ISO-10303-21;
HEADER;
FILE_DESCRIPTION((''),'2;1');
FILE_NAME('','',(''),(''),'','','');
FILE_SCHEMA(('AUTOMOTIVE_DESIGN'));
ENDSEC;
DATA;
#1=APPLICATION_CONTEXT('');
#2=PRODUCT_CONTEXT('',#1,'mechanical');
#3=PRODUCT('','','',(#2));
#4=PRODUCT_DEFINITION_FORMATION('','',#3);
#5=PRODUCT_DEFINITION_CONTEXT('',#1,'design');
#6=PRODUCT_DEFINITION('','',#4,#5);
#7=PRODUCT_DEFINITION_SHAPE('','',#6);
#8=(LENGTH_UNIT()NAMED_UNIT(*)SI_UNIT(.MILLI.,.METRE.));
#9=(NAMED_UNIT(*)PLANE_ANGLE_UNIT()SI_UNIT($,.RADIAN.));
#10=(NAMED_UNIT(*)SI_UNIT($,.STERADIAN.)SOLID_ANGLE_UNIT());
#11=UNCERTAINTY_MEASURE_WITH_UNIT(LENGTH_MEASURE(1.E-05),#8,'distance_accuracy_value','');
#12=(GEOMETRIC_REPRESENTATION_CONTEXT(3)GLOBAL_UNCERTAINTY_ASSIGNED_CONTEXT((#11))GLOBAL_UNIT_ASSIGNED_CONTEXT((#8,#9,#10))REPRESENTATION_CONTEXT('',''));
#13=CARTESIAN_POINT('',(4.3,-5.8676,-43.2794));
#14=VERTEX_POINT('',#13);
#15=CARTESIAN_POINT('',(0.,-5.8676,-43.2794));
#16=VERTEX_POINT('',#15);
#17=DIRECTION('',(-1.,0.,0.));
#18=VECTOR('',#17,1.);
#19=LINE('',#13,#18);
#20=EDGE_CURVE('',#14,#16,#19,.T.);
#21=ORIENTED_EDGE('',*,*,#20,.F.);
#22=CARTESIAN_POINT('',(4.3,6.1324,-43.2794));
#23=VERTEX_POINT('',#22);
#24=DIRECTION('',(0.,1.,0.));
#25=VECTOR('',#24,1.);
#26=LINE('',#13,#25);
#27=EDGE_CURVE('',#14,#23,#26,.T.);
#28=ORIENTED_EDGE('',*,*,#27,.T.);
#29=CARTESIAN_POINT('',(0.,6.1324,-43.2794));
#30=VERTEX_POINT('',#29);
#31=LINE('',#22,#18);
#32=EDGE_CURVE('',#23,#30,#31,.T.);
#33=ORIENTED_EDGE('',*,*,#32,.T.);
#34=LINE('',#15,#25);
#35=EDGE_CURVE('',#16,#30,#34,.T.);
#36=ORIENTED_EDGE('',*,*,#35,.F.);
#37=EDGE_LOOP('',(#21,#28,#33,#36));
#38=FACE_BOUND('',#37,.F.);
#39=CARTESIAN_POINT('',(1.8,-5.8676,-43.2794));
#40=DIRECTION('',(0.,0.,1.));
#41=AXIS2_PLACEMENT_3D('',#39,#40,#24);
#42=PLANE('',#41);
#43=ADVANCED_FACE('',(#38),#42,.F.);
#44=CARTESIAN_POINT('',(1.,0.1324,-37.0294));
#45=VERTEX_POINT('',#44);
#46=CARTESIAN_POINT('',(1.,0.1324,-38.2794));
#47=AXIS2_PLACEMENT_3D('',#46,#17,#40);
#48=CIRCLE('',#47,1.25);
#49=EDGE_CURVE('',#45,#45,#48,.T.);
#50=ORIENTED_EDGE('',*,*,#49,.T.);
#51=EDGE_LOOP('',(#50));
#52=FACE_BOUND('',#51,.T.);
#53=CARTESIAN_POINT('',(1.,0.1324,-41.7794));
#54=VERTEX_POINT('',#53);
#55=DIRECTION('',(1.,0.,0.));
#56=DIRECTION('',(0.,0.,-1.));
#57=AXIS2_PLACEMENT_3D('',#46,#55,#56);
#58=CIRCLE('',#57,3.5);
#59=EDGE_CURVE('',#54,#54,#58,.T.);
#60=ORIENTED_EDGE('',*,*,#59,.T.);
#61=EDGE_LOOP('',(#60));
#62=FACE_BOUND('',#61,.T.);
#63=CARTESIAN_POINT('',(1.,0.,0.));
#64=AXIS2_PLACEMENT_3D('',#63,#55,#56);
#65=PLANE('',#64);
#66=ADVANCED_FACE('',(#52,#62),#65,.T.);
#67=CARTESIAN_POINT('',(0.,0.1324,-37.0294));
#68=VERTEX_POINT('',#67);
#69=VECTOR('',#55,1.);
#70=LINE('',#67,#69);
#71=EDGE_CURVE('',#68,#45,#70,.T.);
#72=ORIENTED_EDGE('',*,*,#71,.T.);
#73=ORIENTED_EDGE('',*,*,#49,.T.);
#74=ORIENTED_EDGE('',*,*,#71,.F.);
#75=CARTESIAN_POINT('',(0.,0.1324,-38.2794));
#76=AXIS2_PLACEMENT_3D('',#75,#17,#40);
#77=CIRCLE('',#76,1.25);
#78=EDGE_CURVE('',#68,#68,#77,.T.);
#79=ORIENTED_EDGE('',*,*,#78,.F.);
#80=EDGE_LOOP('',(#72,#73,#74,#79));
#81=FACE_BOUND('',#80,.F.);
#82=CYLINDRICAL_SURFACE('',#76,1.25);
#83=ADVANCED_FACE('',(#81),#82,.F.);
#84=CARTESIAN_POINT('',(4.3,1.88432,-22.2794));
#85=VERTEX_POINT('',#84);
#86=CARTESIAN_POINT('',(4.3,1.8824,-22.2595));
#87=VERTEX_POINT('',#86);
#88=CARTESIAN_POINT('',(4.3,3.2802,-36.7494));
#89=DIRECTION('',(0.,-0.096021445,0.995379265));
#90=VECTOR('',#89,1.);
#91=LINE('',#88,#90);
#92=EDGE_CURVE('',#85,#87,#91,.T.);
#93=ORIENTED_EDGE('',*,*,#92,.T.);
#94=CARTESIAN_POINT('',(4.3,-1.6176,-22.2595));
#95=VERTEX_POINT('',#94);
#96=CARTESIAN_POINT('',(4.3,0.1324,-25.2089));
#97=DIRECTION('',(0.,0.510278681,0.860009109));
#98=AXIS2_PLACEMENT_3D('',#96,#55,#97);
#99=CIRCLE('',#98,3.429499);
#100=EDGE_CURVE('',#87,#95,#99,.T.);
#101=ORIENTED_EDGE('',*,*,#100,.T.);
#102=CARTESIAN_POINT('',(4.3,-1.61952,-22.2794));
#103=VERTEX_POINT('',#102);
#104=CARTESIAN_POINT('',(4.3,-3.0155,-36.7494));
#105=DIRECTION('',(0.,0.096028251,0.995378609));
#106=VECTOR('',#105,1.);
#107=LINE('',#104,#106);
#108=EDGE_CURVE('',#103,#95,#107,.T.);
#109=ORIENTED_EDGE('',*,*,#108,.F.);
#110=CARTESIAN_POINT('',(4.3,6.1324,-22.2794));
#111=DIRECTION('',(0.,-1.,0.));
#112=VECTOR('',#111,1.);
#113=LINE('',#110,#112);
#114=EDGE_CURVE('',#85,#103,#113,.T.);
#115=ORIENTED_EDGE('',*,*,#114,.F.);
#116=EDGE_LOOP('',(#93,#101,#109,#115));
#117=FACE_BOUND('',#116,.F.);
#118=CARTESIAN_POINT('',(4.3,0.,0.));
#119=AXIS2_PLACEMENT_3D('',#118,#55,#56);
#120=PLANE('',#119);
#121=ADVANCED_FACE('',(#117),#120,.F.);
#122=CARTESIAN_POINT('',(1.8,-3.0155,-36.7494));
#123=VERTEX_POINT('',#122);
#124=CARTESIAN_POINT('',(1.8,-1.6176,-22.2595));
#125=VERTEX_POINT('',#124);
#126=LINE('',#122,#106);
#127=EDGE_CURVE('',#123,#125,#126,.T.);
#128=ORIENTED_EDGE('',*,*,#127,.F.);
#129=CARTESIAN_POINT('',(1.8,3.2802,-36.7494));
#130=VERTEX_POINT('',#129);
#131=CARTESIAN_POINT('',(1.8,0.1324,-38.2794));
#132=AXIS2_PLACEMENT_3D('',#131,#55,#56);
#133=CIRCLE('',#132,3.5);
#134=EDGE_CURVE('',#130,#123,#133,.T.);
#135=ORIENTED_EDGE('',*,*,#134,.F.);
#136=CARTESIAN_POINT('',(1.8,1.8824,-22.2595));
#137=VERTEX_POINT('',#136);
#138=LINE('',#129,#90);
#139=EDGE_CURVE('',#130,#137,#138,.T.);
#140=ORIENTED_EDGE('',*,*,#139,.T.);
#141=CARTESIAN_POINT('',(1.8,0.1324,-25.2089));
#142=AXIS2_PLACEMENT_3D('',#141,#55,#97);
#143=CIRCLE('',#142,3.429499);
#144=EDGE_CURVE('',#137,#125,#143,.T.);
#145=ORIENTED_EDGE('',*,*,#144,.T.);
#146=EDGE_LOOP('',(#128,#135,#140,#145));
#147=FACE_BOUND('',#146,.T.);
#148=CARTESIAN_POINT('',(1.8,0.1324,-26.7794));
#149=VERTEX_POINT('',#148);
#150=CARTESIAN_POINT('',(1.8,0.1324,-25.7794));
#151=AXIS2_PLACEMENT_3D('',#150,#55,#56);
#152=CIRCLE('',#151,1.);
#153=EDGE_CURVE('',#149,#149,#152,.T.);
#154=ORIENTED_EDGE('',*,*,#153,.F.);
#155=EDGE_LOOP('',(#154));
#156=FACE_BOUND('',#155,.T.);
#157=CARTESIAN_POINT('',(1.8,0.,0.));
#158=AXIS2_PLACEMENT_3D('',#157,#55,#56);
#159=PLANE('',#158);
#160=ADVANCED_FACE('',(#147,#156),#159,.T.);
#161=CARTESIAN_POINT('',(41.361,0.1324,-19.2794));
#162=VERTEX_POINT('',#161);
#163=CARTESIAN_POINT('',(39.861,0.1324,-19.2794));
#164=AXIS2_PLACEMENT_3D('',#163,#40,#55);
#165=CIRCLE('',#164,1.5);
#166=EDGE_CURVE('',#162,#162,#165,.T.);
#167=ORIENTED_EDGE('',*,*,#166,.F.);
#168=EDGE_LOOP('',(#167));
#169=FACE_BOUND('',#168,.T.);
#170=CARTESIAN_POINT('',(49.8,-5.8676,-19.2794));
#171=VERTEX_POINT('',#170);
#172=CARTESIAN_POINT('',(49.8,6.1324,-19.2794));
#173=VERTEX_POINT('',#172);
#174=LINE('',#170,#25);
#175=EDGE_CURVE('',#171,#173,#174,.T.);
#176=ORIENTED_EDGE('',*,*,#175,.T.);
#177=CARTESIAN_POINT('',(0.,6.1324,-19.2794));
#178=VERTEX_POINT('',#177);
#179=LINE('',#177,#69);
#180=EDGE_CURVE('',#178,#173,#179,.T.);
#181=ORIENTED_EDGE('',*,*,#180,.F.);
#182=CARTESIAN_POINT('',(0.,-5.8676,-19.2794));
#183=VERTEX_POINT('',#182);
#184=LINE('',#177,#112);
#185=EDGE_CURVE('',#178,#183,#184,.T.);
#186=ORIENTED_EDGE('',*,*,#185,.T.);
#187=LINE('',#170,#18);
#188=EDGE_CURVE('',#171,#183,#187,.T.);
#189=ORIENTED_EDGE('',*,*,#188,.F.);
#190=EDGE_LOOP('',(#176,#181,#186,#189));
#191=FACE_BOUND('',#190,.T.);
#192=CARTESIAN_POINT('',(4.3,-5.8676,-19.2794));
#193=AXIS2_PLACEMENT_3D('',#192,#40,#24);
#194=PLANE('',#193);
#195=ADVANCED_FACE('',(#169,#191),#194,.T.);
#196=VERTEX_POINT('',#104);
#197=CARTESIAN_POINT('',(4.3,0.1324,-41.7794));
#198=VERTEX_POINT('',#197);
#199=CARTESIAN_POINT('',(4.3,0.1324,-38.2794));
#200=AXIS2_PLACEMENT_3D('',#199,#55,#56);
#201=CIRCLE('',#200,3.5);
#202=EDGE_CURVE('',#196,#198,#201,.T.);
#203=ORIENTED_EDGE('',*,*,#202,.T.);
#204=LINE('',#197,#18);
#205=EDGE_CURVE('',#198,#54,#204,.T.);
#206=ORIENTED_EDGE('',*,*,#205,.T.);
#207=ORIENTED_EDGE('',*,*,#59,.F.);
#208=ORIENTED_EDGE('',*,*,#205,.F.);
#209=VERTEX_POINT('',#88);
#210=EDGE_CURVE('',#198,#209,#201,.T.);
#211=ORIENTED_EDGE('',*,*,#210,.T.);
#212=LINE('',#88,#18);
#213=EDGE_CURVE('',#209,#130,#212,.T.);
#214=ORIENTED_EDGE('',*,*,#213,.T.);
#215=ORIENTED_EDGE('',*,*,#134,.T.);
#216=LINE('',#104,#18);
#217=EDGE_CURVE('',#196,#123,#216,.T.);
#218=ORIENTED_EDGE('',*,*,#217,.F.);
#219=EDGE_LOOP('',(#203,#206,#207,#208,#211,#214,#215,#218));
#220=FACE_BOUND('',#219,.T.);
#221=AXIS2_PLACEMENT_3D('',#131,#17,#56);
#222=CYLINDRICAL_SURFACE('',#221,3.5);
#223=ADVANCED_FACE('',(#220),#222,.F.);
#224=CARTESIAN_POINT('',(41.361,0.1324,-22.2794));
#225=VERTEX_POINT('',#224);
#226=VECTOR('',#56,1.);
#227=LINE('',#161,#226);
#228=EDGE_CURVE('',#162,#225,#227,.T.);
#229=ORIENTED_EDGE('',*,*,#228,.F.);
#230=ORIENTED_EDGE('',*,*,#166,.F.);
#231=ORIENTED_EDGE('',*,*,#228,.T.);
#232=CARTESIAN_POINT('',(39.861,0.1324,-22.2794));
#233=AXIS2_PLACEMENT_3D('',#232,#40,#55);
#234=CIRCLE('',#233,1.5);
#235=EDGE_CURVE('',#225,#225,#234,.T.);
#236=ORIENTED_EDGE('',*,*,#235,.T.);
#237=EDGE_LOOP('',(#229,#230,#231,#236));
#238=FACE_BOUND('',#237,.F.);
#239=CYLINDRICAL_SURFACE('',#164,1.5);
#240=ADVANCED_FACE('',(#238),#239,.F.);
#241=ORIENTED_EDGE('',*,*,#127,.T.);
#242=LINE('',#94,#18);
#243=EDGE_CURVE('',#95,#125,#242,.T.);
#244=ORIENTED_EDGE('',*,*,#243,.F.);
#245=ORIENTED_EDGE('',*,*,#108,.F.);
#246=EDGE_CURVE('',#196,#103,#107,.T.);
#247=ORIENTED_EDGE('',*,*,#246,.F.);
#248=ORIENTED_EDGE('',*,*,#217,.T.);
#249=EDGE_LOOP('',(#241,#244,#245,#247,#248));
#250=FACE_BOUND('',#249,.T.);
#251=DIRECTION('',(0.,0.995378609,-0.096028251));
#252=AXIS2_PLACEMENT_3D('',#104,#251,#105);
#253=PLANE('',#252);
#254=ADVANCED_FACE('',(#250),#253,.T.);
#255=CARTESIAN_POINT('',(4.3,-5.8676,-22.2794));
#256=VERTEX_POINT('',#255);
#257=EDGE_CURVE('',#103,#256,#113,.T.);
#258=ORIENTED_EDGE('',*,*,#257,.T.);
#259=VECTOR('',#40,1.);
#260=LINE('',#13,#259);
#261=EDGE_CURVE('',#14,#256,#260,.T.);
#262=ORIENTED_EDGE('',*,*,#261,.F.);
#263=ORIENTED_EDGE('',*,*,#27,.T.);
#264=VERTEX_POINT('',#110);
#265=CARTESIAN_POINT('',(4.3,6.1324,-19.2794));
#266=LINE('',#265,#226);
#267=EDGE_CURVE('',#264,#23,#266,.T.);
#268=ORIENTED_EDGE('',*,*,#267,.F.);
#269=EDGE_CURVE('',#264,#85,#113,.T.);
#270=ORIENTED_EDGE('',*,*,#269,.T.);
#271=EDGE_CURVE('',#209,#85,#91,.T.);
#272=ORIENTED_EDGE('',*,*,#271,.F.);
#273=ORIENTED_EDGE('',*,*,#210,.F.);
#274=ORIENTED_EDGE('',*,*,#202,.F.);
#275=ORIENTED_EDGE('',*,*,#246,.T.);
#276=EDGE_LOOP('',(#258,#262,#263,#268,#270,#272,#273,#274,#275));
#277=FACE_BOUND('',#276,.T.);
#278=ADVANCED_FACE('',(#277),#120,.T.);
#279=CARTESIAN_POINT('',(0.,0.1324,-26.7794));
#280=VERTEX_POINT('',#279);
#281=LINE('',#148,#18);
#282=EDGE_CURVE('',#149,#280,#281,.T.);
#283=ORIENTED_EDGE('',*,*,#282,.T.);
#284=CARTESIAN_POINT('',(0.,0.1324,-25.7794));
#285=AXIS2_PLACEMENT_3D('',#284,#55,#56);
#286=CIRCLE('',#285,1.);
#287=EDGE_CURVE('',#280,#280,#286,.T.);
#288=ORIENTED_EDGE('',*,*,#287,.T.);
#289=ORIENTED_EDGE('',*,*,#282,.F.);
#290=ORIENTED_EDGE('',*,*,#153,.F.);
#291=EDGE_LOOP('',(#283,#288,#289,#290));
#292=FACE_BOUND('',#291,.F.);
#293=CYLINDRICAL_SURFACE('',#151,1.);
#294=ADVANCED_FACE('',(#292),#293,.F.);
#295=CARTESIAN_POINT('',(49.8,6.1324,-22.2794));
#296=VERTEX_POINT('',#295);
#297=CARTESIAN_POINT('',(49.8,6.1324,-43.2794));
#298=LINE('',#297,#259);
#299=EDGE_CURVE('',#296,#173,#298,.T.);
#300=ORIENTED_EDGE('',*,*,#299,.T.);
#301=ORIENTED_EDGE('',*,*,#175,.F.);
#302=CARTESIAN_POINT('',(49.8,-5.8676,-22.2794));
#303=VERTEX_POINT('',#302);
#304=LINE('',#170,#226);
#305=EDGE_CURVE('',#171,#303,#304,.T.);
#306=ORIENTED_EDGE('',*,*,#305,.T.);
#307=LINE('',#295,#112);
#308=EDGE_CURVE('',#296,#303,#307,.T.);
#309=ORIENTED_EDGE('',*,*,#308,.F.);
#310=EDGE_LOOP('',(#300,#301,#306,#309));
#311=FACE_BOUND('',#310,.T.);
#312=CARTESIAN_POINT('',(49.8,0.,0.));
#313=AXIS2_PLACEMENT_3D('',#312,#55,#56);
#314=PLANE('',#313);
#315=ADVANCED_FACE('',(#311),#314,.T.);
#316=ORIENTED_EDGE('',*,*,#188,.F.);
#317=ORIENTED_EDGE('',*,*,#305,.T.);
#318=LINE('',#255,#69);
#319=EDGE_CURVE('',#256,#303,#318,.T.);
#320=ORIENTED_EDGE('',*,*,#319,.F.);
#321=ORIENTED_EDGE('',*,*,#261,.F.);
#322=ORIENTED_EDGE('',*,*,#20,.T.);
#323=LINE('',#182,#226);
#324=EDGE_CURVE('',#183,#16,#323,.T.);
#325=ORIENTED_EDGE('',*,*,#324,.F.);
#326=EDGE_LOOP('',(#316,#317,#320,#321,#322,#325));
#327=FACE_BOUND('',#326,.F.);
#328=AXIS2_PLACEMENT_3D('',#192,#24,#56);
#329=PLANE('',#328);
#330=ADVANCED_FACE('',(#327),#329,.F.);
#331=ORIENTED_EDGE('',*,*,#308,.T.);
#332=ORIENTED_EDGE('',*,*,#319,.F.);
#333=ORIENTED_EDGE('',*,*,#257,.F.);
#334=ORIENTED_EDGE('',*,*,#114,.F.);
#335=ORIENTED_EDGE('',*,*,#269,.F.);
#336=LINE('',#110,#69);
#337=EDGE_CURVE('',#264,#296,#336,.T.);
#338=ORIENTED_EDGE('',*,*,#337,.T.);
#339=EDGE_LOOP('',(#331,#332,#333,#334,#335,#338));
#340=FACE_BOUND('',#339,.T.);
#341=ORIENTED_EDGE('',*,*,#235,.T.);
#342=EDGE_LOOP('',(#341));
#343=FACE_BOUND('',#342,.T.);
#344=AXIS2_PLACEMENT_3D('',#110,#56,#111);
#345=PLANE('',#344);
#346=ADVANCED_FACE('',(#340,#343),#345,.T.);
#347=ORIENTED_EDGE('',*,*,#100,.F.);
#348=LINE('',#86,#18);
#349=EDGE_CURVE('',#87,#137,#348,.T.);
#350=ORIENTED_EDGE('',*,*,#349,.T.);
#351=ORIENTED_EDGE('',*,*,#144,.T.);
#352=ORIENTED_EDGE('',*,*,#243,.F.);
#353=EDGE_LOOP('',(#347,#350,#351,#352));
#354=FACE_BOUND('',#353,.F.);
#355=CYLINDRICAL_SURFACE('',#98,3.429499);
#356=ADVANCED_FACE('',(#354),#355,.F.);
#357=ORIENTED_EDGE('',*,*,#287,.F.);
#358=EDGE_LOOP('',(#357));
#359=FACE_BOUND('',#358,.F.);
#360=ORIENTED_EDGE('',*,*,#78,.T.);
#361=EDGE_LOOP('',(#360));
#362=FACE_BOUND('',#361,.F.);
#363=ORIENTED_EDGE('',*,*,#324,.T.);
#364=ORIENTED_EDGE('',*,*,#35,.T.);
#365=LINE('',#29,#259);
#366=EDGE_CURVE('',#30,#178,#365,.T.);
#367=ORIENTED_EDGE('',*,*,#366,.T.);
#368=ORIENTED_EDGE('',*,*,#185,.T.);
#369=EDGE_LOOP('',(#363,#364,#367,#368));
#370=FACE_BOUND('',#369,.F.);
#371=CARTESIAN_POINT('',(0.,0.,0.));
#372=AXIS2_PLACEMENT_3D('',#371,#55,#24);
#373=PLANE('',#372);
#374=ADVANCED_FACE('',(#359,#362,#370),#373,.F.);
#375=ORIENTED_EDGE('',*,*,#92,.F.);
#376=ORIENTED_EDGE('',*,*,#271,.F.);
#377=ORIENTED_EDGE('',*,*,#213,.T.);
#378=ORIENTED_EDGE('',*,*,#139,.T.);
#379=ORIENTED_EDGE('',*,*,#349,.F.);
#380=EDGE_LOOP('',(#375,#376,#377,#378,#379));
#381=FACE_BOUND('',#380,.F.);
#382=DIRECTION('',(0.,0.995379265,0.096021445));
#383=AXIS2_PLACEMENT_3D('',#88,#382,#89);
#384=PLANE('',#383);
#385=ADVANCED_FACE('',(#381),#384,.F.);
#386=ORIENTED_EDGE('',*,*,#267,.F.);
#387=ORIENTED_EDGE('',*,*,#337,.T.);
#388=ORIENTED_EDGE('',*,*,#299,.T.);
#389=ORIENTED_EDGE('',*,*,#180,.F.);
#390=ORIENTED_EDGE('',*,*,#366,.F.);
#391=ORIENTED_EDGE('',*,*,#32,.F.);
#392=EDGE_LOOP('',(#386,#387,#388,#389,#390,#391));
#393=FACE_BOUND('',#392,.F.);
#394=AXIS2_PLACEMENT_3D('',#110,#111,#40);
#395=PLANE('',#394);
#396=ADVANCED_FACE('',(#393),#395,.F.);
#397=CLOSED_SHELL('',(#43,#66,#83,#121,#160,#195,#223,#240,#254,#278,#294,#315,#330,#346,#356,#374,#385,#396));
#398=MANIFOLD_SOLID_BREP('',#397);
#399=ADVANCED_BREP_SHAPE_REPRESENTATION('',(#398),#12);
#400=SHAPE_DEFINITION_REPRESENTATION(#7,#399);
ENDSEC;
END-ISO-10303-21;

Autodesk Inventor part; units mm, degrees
ref_plane "YZ Plane" through (0, 0, 0) normal (1, 0, 0) x (0, 1, 0)
ref_plane "XZ Plane" through (0, 0, 0) normal (0, 1, 0) x (-1, 0, 0)
ref_plane "XY Plane" through (0, 0, 0) normal (0, 0, 1) x (1, 0, 0)
sketch "Sketch1" plane through (0, 0, 0) normal (1, 0, 0) x (0, 1, 0)
  line L0 (6.1324, -19.2794) -> (-5.8676, -19.2794)
  line L1 (-5.8676, -19.2794) -> (-5.8676, -43.2794)
  line L2 (-5.8676, -43.2794) -> (6.1324, -43.2794)
  line L3 (6.1324, -43.2794) -> (6.1324, -19.2794)
  point P0 (0, 0)
  dimension "d0" = 12
  dimension "d1" = 24
extrude "Extrusion1" add sketch "Sketch1" along normal blind 1.8
sketch "Sketch2" plane through (1.8, 0, 0) normal (1, 0, 0) x (0, 0, -1)
  circle A0 centre (38.2794, 0.1324) radius 3.5
  line L0 (43.2794, -5.8676) -> (43.2794, 6.1324) projected
  line L1 (19.2794, -5.8676) -> (43.2794, -5.8676) projected
  point P0 (0, 0)
  dimension "d4" = 7
  dimension "d5" = 5
  dimension "d6" = 6
extrude "Extrusion2" cut sketch "Sketch2" against normal blind 0.8
sketch "Sketch3" plane through (1.8, 0, 0) normal (1, 0, 0) x (0, 0, -1)
  line L0 (19.2794, 6.1324) -> (19.2794, -5.8676) projected
  line L1 (43.2794, -5.8676) -> (43.2794, 6.1324) projected
  line L2 (19.2794, 6.1324) -> (43.2794, 6.1324)
  line L3 (43.2794, 6.1324) -> (43.2794, -5.8676)
  line L4 (43.2794, -5.8676) -> (19.2794, -5.8676)
  line L5 (19.2794, -5.8676) -> (19.2794, 6.1324)
  circle A0 centre (38.2794, 0.1324) radius 3.5 projected
  circle A1 centre (38.2794, 0.1324) radius 3.5
  point P0 (0, 0)
  point P1 (43.2794, 6.1324)
extrude "Extrusion3" add sketch "Sketch3" along normal blind 2.5
sketch "Sketch4" plane through (4.3, 0, 0) normal (1, 0, 0) x (0, 0, -1)
  circle A0 centre (38.2794, 0.1324) radius 3.5 projected
  line L0 (36.7494, 3.2802) -> (22.2595, 1.8824)
  line L1 (36.7494, -3.0155) -> (22.2595, -1.6176)
  arc A1 (22.2595, 1.8824) -> (22.2595, -1.6176) centre (25.2089, 0.1324) ccw
  line L2 (43.2794, 6.1324) -> (19.2794, 6.1324) projected
  point P0 (0, 0)
  point P1 (21.7794, 0.1324)
  dimension "d15" = 1.53
  dimension "d16" = 1.53
  dimension "d17" = 16.5
  dimension "d18" = 3.5
  dimension "d19" = 6
extrude "Extrusion4" cut sketch "Sketch4" against normal blind 2.5 contours A0 L1 A1 L0
sketch "Sketch5" plane through (0, 0, 0) normal (-1, 0, 0) x (0, 0, 1)
  circle A0 centre (-38.2794, 0.1324) radius 3.5 projected
  circle A1 centre (-38.2794, 0.1324) radius 1.25
  point P0 (0, 0)
  dimension "d22" = 2.5
extrude "Extrusion5" cut sketch "Sketch5" against normal blind 2.5 contours A1
sketch "Sketch6" plane through (4.3, 0, 0) normal (1, 0, 0) x (0, 0, -1)
  line L0 (43.2794, 6.1324) -> (19.2794, 6.1324) projected
  line L1 (19.2794, -5.8676) -> (43.2794, -5.8676) projected
  line L2 (19.2794, 6.1324) -> (22.2794, 6.1324)
  line L3 (22.2794, 6.1324) -> (22.2794, -5.8676)
  line L4 (22.2794, -5.8676) -> (19.2794, -5.8676)
  line L5 (19.2794, -5.8676) -> (19.2794, 6.1324)
  point P0 (0, 0)
  point P1 (22.2794, 6.1324)
  dimension "d25" = 3
extrude "Extrusion6" add sketch "Sketch6" along normal blind 45.5
sketch "Sketch7" plane through (0, -5.8676, -19.2794) normal (0, 0, 1) x (1, 0, 0)
  circle A0 centre (39.861, 6) radius 1.5
  line L0 (49.8, 12) -> (49.8, 0) projected
  line L1 (0, 12) -> (49.8, 12) projected
  line L2 (0, 12) -> (0, 0) projected
  point P0 (0, 5.8676)
  dimension "d28" = 3
  dimension "d30" = 6
  dimension "d38" = 39.861
extrude "Extrusion7" cut sketch "Sketch7" against normal blind 40
sketch "Sketch8" plane through (1.8, 0, 0) normal (1, 0, 0) x (0, 0, -1)
  circle A0 centre (25.7794, 0.1324) radius 1
  circle A1 centre (38.2794, 0.1324) radius 1.25 projected
  point P0 (0, 0)
  dimension "d33" = 2
  dimension "d34" = 12.5
  dimension "d35" = 0
extrude "Extrusion8" cut sketch "Sketch8" against normal blind 10 contours A0
properties part number "18_2"
